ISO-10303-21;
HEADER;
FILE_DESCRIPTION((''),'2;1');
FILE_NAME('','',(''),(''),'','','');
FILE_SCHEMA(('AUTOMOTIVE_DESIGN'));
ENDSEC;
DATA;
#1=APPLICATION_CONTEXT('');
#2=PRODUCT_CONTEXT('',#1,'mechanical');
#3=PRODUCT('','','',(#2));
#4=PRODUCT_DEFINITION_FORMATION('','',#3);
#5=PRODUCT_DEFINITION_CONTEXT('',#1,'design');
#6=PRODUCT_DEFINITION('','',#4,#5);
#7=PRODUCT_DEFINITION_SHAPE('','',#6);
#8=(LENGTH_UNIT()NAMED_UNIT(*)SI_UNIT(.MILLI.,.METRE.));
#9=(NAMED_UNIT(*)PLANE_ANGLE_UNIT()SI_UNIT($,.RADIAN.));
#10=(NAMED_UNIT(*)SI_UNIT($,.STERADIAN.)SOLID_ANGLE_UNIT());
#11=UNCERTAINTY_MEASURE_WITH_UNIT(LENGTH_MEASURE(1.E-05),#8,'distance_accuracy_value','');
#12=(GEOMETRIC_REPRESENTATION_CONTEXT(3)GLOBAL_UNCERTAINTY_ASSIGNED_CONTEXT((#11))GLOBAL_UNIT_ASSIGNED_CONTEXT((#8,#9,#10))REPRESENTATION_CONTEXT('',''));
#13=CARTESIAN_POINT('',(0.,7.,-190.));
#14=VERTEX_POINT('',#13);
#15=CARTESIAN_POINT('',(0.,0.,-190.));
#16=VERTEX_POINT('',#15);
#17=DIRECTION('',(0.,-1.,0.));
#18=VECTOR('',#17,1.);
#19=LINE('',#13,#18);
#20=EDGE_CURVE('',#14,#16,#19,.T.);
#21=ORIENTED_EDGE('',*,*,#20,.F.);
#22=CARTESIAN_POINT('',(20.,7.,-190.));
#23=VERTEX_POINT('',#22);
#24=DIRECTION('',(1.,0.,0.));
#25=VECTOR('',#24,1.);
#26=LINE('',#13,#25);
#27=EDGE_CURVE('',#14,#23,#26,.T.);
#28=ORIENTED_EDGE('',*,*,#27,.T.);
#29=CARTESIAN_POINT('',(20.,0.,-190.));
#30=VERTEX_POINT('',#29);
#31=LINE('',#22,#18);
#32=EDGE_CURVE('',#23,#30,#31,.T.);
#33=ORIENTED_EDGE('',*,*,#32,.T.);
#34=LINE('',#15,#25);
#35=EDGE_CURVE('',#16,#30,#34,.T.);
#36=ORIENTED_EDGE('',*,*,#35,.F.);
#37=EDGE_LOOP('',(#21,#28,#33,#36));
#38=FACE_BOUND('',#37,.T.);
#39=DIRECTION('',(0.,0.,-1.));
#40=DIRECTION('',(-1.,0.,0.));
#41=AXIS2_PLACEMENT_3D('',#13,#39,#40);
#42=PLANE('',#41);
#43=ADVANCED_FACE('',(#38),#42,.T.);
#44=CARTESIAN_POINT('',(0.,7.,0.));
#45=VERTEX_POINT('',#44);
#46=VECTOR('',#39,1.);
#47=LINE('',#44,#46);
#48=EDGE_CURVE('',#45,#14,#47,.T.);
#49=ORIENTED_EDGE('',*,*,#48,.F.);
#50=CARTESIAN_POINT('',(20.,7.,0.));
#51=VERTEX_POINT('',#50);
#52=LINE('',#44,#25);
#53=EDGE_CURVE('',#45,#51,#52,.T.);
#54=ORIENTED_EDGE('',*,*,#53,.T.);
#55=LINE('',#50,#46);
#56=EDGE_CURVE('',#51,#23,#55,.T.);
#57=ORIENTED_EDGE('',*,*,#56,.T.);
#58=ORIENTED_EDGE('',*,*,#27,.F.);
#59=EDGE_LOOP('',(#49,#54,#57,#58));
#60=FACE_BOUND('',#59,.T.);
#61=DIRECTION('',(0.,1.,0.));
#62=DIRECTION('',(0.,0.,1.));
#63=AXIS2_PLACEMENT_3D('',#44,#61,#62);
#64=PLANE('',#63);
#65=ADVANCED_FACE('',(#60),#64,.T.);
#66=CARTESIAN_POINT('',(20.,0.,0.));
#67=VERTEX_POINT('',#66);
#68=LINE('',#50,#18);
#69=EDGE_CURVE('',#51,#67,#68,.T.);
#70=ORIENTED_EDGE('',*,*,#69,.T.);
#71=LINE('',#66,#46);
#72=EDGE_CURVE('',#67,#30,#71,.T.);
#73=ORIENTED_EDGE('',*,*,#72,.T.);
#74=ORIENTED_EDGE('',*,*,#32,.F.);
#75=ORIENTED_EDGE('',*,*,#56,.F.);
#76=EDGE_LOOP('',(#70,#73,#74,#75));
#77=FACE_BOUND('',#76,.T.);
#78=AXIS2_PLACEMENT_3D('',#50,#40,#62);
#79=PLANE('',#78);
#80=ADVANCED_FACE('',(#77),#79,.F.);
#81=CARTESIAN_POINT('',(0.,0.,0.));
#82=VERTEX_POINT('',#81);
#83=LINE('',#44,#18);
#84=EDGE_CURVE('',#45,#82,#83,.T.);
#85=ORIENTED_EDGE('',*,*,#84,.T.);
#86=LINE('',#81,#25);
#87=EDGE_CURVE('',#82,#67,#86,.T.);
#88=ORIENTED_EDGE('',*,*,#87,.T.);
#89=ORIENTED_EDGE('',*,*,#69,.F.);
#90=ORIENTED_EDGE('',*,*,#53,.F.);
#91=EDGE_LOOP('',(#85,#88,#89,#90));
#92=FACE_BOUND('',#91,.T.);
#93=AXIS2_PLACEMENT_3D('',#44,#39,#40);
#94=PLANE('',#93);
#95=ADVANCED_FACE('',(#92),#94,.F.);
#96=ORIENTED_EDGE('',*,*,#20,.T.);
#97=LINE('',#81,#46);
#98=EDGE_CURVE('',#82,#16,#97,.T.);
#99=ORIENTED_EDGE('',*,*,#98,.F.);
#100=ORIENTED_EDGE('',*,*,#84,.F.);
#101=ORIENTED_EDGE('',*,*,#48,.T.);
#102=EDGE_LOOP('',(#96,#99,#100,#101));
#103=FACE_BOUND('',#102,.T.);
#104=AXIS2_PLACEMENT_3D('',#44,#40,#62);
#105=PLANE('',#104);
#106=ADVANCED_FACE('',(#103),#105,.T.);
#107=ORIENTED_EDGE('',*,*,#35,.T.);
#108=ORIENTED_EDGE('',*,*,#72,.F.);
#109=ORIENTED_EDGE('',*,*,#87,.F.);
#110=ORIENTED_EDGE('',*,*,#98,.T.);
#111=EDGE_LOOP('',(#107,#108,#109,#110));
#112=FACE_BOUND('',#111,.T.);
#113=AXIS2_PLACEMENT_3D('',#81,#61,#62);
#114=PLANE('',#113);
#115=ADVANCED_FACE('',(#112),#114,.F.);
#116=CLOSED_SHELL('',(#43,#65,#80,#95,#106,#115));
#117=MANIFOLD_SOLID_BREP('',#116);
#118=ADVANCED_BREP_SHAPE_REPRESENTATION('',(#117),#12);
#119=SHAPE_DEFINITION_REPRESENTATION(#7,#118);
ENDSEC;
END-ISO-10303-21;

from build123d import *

# Parameters (mm, degrees)
CROQUIS1_W              = 20
CROQUIS1_H              = 190
SALIENTE_EXTRUIR1_DEPTH = 7


with BuildPart() as part:
    # Croquis1 → Saliente-Extruir1 (new body)
    with BuildSketch(Plane(origin=(0, 0, 0), x_dir=(1, 0, 0), z_dir=(0, 1, 0))):
        with Locations((10, 95)):
            Rectangle(CROQUIS1_W, CROQUIS1_H)
    extrude(amount=SALIENTE_EXTRUIR1_DEPTH)


solid = part.part
